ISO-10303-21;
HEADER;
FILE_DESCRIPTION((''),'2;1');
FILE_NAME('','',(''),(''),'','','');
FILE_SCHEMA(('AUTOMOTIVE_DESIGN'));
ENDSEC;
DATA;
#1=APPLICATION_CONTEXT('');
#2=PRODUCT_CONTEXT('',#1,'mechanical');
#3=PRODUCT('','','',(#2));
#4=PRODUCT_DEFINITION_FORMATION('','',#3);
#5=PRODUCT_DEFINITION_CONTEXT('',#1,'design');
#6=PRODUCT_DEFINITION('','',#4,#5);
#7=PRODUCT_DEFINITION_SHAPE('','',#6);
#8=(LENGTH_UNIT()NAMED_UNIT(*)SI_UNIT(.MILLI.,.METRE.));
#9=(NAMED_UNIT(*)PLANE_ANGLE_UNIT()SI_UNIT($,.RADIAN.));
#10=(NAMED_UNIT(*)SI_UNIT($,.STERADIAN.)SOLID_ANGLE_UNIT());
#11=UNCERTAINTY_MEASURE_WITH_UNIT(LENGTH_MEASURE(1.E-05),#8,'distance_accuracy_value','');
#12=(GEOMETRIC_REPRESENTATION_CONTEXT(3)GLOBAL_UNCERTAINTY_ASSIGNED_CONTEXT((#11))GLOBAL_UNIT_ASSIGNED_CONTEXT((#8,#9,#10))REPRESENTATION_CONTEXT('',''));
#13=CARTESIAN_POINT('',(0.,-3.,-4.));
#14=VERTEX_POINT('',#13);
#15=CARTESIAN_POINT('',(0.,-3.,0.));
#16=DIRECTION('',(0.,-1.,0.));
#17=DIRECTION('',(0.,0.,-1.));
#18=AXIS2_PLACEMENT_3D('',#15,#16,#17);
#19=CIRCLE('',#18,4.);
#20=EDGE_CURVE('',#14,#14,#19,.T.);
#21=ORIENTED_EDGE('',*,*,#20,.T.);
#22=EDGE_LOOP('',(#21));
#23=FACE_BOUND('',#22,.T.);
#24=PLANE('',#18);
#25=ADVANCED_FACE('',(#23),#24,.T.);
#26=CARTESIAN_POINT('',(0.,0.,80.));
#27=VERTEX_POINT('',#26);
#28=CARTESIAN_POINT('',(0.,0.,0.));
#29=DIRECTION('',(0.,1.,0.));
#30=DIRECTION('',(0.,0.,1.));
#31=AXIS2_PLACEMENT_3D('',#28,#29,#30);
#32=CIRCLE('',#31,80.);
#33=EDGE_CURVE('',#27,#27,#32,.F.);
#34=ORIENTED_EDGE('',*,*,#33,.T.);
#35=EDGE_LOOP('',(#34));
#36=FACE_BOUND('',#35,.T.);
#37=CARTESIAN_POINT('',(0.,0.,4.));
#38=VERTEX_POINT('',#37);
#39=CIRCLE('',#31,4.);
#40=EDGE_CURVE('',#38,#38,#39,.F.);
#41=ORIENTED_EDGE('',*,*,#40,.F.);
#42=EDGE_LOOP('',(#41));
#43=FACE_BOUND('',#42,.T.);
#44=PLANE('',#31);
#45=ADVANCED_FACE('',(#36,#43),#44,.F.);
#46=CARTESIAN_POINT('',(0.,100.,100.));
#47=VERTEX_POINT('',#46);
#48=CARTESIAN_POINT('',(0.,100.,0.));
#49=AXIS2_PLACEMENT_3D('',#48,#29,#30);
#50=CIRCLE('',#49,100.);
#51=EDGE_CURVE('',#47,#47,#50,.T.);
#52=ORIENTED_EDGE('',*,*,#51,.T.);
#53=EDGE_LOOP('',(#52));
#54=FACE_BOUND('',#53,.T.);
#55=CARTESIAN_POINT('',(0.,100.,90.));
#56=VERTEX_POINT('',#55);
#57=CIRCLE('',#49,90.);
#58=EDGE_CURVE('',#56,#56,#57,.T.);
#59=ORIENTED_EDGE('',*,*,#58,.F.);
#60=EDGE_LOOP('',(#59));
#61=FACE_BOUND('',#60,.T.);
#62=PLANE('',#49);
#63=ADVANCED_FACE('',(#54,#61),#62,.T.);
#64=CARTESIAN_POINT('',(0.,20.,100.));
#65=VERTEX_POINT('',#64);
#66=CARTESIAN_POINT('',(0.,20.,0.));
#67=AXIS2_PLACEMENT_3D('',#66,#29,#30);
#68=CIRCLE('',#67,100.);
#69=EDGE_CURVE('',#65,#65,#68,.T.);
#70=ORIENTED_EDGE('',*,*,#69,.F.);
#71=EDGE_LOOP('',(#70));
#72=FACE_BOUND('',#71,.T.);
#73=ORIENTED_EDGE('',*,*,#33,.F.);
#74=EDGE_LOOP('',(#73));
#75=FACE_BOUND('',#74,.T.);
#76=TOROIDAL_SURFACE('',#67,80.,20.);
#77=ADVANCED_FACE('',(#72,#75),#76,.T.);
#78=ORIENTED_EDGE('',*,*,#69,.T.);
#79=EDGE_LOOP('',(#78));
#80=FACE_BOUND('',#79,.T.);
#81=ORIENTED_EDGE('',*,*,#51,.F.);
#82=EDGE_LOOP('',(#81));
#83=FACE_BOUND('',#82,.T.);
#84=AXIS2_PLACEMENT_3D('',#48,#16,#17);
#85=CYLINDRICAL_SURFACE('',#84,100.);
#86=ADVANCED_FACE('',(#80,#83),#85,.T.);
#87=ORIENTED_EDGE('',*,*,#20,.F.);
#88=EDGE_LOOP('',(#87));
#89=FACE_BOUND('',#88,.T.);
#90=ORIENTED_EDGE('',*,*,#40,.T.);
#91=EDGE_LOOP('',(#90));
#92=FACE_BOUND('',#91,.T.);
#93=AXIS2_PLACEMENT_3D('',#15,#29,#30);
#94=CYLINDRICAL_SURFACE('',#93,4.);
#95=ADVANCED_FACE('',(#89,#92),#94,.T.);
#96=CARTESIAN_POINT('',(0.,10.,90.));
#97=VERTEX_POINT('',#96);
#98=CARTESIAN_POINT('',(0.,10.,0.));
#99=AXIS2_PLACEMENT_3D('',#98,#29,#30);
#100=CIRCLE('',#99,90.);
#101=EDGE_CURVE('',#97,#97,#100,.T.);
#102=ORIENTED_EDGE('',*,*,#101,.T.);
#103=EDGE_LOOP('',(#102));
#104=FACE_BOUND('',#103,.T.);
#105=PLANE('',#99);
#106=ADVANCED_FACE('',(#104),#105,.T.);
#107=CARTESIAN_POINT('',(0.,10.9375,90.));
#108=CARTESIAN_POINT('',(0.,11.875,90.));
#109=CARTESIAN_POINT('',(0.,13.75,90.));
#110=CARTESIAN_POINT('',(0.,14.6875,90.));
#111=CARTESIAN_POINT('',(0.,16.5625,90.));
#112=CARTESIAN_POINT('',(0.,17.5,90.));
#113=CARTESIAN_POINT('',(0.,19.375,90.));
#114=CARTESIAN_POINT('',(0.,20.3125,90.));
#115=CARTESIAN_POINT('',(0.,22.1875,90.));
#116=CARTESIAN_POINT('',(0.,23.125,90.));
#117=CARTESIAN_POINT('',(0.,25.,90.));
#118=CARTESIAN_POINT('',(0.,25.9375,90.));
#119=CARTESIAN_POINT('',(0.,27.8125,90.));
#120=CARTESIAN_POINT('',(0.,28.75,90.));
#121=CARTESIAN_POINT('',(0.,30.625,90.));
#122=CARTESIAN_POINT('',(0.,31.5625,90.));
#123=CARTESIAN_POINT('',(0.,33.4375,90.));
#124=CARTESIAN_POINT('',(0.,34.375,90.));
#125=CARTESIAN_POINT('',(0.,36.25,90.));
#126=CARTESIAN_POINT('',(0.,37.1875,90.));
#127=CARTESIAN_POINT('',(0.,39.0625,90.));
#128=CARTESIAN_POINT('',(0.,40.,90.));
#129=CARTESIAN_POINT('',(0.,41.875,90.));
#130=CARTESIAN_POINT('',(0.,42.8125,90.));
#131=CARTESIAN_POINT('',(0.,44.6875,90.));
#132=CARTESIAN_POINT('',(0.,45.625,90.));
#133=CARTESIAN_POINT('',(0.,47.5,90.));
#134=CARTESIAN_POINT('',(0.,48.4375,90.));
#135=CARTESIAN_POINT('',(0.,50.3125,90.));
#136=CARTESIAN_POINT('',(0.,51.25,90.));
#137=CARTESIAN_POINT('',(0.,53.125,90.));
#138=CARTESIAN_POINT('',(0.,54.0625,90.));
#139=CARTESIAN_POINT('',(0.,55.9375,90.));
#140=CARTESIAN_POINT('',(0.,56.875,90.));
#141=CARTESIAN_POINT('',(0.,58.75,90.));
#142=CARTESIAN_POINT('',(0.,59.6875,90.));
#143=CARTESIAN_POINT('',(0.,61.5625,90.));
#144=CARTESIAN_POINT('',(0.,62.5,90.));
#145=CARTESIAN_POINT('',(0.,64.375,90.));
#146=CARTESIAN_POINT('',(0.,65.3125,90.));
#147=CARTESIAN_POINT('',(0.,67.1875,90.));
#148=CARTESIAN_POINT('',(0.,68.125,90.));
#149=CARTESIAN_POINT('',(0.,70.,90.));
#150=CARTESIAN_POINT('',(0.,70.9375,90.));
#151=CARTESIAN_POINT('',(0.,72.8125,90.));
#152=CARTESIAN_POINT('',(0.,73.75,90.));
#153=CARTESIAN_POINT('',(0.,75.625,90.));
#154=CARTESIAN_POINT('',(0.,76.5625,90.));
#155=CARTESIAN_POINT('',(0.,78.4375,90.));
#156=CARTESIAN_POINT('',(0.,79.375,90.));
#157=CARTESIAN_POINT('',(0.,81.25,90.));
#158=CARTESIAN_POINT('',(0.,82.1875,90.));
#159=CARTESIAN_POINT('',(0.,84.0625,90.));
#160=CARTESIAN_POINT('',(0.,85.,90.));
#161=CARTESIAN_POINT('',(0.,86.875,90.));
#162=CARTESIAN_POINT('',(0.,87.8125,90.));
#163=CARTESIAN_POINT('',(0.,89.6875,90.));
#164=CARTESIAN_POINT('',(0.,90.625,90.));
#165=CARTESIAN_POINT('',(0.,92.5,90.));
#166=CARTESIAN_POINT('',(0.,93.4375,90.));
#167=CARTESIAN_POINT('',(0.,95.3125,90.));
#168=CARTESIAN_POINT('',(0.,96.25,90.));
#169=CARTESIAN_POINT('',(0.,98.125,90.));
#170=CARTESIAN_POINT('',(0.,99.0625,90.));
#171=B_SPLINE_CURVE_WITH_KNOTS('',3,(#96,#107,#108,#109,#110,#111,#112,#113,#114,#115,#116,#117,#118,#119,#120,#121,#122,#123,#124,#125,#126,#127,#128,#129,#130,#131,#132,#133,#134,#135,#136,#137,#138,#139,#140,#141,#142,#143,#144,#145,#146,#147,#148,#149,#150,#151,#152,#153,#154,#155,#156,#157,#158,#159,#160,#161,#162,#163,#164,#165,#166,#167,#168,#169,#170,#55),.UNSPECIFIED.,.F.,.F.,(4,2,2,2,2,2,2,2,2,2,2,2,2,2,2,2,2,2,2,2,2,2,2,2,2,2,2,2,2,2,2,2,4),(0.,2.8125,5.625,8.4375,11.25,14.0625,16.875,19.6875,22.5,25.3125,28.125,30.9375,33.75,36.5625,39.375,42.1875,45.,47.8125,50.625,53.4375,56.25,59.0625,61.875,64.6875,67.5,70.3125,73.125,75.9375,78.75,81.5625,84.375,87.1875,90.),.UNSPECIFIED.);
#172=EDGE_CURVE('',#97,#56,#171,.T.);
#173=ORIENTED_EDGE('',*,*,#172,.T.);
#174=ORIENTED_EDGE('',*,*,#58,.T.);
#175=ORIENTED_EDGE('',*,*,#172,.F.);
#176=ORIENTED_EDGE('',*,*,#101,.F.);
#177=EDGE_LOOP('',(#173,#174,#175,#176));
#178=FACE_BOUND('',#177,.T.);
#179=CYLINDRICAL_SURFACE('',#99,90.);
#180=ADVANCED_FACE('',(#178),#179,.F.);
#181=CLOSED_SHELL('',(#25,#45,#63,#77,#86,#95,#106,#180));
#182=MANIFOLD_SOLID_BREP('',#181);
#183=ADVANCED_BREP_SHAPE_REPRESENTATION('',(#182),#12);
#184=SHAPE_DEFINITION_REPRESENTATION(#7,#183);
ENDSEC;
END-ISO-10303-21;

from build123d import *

# Parameters (mm, degrees)
SKETCH2_R           = 100
BOSS_EXTRUDE1_DEPTH = 100
SKETCH3_R           = 90
CUT_EXTRUDE1_DEPTH  = 90
FILLET1_R           = 20
SKETCH4_R           = 4
BOSS_EXTRUDE2_DEPTH = 3


with BuildPart() as part:
    # Sketch2 → Boss-Extrude1 (new body)
    with BuildSketch(Plane(origin=(0, 0, 0), x_dir=(1, 0, 0), z_dir=(0, 1, 0))):
        with Locations(Location((0, 0, 0), (0, 0, 270))):
            Circle(SKETCH2_R)
    extrude(amount=BOSS_EXTRUDE1_DEPTH)

    # Sketch3 → Cut-Extrude1 (cut)
    with BuildSketch(Plane(origin=(0, 100, 0), x_dir=(1, 0, 0), z_dir=(0, 1, 0))):
        with Locations(Location((0, 0, 0), (0, 0, 270))):
            Circle(SKETCH3_R)
    extrude(amount=-CUT_EXTRUDE1_DEPTH, mode=Mode.SUBTRACT)

    # Fillet1
    fillet1_edges = [part.edges().sort_by_distance(p)[0] for p in [
        (0, 0, -100),
    ]]
    fillet(fillet1_edges, radius=FILLET1_R)

    # Sketch4 → Boss-Extrude2 (add)
    with BuildSketch(Plane.XZ):
        with Locations(Location((0, 0, 0), (0, 0, 90))):
            Circle(SKETCH4_R)
    extrude(amount=BOSS_EXTRUDE2_DEPTH)


solid = part.part
